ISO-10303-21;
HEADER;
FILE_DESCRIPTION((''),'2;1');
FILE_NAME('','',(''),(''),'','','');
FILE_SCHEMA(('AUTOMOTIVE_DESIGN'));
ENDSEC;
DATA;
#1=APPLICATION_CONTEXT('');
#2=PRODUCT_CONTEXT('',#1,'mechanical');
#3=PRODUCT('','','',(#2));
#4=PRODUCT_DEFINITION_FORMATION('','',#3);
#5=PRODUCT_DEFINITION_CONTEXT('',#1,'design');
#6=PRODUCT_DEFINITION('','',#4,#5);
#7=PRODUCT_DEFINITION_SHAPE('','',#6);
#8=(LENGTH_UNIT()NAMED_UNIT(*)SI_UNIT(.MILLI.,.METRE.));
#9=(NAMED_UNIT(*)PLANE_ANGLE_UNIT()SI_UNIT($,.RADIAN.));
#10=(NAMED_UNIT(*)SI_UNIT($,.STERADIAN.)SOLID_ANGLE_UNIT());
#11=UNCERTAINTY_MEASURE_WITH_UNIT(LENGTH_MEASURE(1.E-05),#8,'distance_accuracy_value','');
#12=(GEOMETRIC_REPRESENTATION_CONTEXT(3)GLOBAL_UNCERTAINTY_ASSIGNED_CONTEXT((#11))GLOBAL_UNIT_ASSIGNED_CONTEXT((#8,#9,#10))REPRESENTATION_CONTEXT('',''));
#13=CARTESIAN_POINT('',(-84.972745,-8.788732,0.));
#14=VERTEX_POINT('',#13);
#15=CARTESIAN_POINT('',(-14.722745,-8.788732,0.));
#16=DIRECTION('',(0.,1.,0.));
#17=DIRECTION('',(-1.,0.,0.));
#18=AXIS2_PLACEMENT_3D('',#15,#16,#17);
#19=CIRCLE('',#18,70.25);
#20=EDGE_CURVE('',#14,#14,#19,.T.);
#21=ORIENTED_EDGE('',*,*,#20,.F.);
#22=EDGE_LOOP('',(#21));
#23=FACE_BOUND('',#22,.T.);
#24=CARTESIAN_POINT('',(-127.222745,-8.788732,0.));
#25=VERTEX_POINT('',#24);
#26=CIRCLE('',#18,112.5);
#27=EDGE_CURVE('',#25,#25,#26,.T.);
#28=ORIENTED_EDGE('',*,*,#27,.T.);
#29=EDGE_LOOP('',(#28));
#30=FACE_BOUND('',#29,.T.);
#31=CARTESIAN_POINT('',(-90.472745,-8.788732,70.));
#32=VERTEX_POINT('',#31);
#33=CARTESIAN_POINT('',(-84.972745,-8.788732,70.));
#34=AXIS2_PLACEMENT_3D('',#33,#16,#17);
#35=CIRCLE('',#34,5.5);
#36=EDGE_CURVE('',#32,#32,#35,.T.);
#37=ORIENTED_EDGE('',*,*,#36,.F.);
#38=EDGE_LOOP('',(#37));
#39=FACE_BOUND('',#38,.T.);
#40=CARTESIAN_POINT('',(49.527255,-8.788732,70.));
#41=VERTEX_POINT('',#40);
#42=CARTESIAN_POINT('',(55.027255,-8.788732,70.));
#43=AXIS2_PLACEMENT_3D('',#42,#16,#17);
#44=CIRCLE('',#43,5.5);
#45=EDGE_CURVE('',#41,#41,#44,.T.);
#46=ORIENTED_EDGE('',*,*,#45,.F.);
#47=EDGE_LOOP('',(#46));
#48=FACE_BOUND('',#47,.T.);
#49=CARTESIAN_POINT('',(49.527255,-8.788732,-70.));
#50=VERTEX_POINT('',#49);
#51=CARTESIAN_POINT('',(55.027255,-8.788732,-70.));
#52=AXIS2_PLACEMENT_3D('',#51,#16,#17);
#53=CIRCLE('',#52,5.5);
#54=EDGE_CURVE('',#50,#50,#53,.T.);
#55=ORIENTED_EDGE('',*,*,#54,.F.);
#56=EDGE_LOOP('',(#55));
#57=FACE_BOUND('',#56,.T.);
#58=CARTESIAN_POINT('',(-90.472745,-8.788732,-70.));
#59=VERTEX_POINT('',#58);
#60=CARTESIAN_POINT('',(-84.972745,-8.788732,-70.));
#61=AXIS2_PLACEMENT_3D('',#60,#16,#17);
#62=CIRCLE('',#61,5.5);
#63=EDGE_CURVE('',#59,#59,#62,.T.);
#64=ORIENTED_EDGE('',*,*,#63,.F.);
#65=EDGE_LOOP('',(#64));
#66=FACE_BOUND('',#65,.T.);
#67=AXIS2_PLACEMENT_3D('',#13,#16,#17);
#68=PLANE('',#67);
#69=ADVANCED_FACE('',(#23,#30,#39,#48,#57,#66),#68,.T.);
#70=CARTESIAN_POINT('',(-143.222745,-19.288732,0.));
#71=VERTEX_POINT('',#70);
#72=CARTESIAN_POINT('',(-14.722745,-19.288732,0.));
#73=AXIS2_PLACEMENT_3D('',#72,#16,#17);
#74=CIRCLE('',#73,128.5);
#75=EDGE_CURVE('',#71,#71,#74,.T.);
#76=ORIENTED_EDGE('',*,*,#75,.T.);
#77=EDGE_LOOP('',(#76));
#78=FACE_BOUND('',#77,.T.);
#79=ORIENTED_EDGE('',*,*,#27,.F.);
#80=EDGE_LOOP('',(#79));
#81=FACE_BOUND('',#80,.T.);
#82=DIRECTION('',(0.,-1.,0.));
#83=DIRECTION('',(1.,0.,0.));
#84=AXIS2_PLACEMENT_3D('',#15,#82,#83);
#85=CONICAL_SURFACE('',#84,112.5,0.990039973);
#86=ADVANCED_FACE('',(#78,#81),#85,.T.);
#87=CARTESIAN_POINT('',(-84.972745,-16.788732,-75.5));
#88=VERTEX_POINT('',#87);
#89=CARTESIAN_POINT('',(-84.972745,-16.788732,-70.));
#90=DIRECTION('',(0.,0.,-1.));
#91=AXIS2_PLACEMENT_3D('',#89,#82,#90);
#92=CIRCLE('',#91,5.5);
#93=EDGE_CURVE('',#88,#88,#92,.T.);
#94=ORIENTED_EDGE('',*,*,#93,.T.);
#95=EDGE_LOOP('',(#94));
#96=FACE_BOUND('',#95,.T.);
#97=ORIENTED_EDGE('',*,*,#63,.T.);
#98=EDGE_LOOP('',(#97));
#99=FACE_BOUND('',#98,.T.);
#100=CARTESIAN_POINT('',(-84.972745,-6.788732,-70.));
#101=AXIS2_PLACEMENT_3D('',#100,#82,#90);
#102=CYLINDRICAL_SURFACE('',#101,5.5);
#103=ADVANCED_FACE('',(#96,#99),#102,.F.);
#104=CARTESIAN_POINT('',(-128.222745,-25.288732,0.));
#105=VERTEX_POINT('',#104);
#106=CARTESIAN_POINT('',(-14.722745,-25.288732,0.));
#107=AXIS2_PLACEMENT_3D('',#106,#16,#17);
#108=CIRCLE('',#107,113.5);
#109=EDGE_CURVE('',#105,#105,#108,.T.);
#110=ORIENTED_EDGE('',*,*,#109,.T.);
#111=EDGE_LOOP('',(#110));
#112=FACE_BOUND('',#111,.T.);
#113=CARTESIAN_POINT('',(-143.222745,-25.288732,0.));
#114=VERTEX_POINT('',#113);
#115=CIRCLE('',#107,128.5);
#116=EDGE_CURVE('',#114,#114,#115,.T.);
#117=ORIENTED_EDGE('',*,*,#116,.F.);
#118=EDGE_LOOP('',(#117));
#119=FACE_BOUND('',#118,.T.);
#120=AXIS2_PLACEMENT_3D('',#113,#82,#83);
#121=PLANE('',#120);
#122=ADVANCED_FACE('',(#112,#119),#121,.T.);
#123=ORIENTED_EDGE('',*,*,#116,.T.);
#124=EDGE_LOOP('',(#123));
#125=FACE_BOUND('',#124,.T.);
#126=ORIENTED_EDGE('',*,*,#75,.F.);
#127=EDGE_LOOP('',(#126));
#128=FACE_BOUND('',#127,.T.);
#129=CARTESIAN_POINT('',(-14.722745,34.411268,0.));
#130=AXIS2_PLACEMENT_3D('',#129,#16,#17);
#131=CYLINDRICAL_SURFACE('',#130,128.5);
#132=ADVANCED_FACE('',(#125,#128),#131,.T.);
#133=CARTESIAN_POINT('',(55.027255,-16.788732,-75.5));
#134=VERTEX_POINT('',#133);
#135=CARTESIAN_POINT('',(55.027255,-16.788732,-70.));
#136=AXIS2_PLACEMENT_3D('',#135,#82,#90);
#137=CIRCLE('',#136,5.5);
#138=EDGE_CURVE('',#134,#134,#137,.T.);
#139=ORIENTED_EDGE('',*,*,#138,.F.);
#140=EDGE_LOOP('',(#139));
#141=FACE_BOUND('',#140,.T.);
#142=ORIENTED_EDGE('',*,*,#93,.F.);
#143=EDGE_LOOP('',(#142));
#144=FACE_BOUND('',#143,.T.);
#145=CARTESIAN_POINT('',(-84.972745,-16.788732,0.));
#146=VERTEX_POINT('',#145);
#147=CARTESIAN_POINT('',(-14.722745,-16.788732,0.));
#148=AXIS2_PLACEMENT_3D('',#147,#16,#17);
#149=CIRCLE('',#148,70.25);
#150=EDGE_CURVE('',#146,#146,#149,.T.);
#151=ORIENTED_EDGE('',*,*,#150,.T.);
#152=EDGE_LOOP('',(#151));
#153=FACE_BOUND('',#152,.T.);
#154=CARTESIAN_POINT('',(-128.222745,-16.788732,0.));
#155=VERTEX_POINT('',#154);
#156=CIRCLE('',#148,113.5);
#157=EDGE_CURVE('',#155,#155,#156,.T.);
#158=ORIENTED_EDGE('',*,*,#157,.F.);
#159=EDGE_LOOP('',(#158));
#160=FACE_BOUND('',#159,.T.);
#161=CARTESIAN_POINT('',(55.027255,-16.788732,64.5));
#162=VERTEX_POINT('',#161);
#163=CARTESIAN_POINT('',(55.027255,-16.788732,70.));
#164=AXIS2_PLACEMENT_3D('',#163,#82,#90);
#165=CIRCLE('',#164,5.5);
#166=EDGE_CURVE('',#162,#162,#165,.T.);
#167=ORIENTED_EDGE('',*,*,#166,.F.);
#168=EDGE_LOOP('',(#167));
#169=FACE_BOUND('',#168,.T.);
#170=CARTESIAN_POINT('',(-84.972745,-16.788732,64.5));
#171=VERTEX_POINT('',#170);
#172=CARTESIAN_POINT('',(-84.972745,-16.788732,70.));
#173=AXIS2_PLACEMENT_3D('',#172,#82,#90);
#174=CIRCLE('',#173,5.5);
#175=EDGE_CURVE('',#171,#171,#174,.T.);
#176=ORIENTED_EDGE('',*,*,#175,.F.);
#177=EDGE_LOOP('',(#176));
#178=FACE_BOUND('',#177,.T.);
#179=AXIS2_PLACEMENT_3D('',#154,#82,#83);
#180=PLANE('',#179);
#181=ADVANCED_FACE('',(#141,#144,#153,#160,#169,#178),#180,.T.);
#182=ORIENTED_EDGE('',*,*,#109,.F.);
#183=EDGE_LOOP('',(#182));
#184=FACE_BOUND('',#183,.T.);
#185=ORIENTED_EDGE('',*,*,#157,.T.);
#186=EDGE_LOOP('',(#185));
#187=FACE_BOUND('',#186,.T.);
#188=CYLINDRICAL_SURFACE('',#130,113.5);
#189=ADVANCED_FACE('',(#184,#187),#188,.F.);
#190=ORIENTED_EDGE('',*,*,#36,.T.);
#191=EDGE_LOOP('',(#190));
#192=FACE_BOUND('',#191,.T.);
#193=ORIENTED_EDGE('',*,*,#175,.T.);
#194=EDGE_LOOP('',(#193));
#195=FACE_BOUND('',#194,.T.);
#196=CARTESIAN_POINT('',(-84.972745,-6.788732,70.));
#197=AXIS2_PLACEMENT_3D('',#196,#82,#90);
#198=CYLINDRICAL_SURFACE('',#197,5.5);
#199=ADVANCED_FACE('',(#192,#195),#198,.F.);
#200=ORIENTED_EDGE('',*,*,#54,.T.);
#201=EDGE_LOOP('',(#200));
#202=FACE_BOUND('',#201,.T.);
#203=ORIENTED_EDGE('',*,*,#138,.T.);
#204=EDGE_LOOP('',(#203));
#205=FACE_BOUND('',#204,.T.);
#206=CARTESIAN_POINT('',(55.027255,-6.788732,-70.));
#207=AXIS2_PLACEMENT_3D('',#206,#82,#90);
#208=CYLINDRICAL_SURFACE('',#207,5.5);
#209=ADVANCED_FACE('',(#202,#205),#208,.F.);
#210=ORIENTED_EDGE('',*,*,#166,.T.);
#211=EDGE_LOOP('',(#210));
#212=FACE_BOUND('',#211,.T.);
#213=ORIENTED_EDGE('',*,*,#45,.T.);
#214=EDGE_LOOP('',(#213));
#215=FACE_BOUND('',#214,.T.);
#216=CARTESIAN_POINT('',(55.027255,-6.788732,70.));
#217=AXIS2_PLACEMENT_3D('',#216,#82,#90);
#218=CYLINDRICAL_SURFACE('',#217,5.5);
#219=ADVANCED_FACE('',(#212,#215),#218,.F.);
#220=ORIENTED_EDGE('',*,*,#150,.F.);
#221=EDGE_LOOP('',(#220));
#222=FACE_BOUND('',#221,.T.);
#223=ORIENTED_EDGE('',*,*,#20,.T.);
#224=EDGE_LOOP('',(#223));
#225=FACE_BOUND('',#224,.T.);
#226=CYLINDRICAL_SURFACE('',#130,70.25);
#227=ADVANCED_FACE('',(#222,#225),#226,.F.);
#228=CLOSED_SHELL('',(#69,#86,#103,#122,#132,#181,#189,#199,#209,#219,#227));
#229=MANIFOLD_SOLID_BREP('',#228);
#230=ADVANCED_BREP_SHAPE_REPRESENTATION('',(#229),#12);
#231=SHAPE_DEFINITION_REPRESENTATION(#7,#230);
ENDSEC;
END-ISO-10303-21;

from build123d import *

# Parameters (mm, degrees)
SKETCH_2_R          = 5.5
CUT_EXTRUDE_1_DEPTH = 10


with BuildPart() as part:
    # 草图1 → 旋转1 (revolve)
    with BuildSketch(Plane.XY):
        Polygon((-84.972745292, -8.788732394), (-127.222745292, -8.788732394), (-143.222745292, -19.288732394), (-143.222745292, -25.288732394), (-128.222745292, -25.288732394), (-128.222745292, -16.788732394), (-84.972745292, -16.788732394), align=None)
    revolve(axis=Axis((-14.722745292, 34.411267606, 0), (0, -1, 0)))

    # 草图2 → 切除-拉伸1 (cut)
    with BuildSketch(Plane.XZ.offset(16.788732394)):
        with Locations(Location((-84.972745292, 70, 0), (0, 0, 270))):
            Circle(SKETCH_2_R)
        with Locations(Location((55.027254708, 70, 0), (0, 0, 270))):
            Circle(SKETCH_2_R)
        with Locations(Location((55.027254708, -70, 0), (0, 0, 270))):
            Circle(SKETCH_2_R)
        with Locations(Location((-84.972745292, -70, 0), (0, 0, 270))):
            Circle(SKETCH_2_R)
    extrude(amount=-CUT_EXTRUDE_1_DEPTH, mode=Mode.SUBTRACT)


solid = part.part
